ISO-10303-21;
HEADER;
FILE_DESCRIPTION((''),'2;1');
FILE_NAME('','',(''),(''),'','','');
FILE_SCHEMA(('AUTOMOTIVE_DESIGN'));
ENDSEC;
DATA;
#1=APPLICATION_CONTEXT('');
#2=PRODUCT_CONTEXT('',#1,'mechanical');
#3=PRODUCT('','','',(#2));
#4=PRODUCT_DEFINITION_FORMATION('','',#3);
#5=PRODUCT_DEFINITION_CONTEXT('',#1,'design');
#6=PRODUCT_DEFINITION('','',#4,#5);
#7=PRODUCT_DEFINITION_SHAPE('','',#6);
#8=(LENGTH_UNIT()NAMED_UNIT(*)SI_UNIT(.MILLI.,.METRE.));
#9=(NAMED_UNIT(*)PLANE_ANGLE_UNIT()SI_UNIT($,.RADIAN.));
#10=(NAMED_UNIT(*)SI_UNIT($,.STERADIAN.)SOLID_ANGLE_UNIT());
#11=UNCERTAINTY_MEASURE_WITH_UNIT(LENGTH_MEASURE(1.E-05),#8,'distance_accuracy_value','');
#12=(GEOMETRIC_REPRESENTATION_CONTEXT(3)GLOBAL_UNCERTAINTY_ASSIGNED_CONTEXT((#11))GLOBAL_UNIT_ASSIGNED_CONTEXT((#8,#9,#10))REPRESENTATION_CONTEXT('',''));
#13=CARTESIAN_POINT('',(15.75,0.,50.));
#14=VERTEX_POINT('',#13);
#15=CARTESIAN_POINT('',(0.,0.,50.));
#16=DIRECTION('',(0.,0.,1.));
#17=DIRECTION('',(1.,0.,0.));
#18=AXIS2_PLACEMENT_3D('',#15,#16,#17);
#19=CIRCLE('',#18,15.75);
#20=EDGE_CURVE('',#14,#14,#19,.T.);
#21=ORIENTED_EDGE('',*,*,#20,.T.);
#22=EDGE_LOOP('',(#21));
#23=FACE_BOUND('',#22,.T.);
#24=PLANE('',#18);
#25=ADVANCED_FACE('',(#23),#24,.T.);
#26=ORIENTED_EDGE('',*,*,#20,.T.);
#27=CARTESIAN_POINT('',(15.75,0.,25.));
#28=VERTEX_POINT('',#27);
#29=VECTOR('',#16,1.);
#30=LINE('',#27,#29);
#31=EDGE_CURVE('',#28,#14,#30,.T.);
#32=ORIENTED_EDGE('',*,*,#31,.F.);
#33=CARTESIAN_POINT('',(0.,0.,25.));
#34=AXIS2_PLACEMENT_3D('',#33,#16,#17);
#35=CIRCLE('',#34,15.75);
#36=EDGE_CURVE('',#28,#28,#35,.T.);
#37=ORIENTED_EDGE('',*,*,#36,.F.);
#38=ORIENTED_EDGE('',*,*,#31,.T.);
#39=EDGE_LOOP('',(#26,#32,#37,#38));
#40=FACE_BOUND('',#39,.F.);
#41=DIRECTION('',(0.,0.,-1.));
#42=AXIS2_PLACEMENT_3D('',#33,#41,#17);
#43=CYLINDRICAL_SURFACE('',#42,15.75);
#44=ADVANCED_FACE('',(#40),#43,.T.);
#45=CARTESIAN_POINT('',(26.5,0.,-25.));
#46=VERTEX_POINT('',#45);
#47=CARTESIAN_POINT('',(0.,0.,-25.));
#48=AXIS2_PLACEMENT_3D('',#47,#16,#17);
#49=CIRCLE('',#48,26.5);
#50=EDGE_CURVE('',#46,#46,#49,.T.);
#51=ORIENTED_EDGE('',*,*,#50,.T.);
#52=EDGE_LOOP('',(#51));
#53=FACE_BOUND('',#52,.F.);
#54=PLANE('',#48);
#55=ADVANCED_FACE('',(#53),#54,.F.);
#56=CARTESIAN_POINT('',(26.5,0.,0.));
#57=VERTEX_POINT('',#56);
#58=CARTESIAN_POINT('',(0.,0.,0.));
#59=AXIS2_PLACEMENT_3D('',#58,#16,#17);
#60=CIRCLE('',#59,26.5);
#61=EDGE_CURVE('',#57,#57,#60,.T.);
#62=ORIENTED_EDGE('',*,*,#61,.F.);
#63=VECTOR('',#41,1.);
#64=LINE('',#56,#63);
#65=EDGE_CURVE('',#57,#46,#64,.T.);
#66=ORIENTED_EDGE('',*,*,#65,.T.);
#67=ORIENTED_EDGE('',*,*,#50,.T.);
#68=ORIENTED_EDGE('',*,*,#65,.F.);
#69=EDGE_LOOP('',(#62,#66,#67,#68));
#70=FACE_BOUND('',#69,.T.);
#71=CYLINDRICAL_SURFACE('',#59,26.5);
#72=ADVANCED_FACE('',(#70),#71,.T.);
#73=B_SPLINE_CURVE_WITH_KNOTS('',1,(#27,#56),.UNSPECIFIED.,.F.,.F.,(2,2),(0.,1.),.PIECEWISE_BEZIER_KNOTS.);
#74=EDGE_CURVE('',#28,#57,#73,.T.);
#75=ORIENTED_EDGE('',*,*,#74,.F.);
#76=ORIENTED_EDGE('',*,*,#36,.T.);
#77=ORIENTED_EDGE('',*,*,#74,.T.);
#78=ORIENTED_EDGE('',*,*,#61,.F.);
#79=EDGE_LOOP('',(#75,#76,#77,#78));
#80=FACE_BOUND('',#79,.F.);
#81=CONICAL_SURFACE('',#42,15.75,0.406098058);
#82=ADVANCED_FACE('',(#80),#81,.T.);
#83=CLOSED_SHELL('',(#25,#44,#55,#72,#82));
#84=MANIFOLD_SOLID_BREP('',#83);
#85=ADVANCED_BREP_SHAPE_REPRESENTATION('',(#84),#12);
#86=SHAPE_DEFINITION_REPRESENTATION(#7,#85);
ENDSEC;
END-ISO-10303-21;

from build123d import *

# Parameters (mm, degrees)
F2_R     = 15.75
F0_R     = 26.5
F4_DEPTH = 25
F5_DEPTH = 25


with BuildPart() as f3:
    # F2 (on offset) → F3 section 0
    with BuildSketch(Plane.XY.offset(25)):
        Circle(F2_R)
    # F0 (on Top) → F3 section 1
    with BuildSketch(Plane.XY):
        Circle(F0_R)
    loft()

    # F4 (add): a face of the model
    f4_faces = [f3.faces().sort_by_distance(p)[0] for p in [
        (0, 0, 25),
    ]]
    extrude(f4_faces, amount=F4_DEPTH)

    # F5 (add): a face of the model
    f5_faces = [f3.faces().sort_by_distance(p)[0] for p in [
        (0, 0, 0),
    ]]
    extrude(f5_faces, amount=F5_DEPTH)


solid = f3.part
